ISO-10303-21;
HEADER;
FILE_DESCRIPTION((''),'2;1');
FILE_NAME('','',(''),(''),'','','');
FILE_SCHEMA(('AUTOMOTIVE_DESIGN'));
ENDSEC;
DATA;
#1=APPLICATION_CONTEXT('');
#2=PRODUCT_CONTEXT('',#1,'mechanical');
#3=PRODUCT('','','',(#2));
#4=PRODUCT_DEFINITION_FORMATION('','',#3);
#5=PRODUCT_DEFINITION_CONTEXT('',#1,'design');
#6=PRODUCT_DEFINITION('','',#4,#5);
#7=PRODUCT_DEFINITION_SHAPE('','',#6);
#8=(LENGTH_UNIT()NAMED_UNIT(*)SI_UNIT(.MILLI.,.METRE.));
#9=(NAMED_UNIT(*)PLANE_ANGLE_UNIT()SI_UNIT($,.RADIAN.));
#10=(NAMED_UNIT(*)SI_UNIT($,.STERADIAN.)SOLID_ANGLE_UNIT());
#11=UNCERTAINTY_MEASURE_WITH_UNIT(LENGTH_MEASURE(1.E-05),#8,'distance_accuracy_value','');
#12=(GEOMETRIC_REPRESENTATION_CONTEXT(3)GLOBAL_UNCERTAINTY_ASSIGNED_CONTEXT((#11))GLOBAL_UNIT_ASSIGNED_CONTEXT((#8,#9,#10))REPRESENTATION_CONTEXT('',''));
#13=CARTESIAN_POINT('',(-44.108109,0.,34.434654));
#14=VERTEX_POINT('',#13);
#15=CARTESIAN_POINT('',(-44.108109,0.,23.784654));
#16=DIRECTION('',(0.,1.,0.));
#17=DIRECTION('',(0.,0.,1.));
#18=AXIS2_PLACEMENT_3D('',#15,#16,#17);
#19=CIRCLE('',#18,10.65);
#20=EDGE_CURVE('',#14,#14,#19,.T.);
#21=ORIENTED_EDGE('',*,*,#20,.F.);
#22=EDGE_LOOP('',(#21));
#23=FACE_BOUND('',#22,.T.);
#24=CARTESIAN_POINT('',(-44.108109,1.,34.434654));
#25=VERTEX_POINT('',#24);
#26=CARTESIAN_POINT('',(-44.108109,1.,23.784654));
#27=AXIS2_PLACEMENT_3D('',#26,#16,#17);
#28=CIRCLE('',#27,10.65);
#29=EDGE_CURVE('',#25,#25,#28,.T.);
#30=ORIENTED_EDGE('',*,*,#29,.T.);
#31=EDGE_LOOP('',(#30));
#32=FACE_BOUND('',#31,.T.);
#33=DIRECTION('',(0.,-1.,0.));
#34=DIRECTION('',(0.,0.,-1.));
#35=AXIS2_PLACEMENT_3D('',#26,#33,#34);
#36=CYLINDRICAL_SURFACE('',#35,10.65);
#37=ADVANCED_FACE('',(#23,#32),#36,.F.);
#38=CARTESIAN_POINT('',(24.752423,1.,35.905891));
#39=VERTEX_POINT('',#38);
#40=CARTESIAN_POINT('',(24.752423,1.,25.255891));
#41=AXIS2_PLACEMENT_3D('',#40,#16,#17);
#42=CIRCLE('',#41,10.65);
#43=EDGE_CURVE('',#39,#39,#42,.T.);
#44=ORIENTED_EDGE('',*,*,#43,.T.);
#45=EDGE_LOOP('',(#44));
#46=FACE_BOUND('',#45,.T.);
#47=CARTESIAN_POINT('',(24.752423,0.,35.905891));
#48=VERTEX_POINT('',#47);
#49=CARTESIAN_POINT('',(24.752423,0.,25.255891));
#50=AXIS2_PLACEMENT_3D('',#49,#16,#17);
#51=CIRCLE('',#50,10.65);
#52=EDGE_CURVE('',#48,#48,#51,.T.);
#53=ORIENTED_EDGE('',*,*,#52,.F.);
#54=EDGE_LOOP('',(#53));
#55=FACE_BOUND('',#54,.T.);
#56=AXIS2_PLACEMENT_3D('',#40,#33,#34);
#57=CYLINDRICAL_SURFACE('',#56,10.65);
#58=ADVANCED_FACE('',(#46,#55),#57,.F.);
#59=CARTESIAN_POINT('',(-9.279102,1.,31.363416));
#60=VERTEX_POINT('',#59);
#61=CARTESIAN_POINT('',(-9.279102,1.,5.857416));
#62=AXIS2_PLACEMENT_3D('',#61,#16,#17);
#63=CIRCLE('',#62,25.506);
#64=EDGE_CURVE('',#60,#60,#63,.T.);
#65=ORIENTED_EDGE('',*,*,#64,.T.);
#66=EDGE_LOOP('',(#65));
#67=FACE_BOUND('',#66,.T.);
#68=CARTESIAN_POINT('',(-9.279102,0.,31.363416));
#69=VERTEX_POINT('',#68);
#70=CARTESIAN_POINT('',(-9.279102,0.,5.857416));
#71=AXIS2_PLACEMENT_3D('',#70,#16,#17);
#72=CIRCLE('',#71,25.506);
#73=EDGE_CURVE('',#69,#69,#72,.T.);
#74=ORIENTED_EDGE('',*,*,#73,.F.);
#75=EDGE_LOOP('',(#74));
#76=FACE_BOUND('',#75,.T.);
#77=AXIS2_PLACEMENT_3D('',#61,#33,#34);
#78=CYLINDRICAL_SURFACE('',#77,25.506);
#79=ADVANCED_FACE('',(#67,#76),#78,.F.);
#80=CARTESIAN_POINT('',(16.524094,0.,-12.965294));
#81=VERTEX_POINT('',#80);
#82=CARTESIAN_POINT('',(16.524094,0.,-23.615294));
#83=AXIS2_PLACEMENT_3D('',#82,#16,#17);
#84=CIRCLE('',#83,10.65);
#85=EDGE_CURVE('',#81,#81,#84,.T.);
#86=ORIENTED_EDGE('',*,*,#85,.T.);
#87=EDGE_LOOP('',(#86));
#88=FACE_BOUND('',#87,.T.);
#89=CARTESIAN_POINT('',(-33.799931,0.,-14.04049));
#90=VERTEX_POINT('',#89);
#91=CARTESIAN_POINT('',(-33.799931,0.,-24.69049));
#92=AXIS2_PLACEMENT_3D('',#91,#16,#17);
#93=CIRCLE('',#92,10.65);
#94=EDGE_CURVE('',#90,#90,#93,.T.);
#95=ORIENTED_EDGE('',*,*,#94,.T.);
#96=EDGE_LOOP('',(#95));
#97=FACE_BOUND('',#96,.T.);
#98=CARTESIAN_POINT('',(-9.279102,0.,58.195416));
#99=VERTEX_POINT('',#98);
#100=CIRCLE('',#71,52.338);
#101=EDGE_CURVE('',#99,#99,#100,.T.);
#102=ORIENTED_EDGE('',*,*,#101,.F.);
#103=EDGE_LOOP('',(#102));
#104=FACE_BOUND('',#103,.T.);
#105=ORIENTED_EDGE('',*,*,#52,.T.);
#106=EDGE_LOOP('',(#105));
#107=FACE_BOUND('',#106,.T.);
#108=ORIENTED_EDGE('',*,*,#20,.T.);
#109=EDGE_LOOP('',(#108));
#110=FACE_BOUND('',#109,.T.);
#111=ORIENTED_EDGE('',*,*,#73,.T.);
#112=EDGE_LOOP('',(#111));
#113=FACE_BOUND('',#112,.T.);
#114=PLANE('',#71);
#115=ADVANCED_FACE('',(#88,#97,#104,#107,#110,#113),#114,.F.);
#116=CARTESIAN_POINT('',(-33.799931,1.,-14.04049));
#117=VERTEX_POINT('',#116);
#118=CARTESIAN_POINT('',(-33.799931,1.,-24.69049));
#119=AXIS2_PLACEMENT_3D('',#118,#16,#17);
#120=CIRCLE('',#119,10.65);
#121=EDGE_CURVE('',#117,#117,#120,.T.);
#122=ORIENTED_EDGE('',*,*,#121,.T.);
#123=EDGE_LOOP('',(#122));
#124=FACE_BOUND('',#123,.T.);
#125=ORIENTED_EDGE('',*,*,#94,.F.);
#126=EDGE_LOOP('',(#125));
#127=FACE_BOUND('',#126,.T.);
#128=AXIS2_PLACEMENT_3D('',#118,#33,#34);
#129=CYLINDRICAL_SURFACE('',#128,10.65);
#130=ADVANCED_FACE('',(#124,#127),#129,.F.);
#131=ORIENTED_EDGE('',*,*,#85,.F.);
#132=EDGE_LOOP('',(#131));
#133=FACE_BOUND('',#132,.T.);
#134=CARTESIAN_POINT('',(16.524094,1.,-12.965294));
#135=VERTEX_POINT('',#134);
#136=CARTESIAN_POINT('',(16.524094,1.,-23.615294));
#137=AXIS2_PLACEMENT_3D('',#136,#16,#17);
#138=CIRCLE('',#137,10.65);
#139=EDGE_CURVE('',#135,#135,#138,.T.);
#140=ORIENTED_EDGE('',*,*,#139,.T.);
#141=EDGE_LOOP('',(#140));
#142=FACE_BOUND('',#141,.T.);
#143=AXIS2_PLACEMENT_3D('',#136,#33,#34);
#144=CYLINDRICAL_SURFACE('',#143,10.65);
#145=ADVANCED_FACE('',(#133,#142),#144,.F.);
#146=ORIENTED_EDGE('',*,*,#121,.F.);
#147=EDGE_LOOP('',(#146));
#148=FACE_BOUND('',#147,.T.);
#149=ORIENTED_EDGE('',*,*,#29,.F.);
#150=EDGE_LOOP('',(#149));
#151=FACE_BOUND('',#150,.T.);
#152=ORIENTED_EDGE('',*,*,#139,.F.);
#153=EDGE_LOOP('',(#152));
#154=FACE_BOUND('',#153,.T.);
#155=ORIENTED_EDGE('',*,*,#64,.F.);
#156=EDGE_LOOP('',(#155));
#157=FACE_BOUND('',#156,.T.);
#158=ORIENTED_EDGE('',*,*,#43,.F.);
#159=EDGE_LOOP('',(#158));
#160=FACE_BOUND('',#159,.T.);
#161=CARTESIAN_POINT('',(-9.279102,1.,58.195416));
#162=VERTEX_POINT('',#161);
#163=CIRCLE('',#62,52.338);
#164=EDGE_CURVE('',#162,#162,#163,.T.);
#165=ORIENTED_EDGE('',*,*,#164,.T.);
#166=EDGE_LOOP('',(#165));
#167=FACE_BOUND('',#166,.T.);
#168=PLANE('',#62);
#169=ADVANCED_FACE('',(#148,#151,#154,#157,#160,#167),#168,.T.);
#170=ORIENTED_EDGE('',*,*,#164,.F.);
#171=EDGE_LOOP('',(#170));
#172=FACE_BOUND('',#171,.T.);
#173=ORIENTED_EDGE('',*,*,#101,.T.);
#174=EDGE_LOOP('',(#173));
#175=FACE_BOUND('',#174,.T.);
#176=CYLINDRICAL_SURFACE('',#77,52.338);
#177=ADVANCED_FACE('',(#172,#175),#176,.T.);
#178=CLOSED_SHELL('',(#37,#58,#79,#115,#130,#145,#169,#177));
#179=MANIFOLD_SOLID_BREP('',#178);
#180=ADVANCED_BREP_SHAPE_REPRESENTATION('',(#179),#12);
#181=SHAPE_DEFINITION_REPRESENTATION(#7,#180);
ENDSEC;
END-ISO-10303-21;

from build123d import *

# Parameters (mm, degrees)
SKETCH1_R           = 52.338
SKETCH1_R_2         = 25.506
SKETCH1_R_3         = 10.65
BOSS_EXTRUDE2_DEPTH = 1


with BuildPart() as part:
    # Sketch1 → Boss-Extrude2 (new body)
    with BuildSketch(Plane(origin=(0, 0, 0), x_dir=(1, 0, 0), z_dir=(0, 1, 0))):
        with Locations(Location((-9.27910221, -5.857415623, 0), (0, 0, 270))):
            Circle(SKETCH1_R)
        with Locations(Location((-9.27910221, -5.857415623, 0), (0, 0, 270))):
            Circle(SKETCH1_R_2, mode=Mode.SUBTRACT)
        with Locations(Location((-33.799930519, 24.690490411, 0), (0, 0, 270))):
            Circle(SKETCH1_R_3, mode=Mode.SUBTRACT)
        with Locations(Location((16.524094464, 23.615294218, 0), (0, 0, 270))):
            Circle(SKETCH1_R_3, mode=Mode.SUBTRACT)
        with Locations(Location((-44.108109072, -23.784653698, 0), (0, 0, 270))):
            Circle(SKETCH1_R_3, mode=Mode.SUBTRACT)
        with Locations(Location((24.752423429, -25.255890992, 0), (0, 0, 270))):
            Circle(SKETCH1_R_3, mode=Mode.SUBTRACT)
    extrude(amount=BOSS_EXTRUDE2_DEPTH)


solid = part.part
